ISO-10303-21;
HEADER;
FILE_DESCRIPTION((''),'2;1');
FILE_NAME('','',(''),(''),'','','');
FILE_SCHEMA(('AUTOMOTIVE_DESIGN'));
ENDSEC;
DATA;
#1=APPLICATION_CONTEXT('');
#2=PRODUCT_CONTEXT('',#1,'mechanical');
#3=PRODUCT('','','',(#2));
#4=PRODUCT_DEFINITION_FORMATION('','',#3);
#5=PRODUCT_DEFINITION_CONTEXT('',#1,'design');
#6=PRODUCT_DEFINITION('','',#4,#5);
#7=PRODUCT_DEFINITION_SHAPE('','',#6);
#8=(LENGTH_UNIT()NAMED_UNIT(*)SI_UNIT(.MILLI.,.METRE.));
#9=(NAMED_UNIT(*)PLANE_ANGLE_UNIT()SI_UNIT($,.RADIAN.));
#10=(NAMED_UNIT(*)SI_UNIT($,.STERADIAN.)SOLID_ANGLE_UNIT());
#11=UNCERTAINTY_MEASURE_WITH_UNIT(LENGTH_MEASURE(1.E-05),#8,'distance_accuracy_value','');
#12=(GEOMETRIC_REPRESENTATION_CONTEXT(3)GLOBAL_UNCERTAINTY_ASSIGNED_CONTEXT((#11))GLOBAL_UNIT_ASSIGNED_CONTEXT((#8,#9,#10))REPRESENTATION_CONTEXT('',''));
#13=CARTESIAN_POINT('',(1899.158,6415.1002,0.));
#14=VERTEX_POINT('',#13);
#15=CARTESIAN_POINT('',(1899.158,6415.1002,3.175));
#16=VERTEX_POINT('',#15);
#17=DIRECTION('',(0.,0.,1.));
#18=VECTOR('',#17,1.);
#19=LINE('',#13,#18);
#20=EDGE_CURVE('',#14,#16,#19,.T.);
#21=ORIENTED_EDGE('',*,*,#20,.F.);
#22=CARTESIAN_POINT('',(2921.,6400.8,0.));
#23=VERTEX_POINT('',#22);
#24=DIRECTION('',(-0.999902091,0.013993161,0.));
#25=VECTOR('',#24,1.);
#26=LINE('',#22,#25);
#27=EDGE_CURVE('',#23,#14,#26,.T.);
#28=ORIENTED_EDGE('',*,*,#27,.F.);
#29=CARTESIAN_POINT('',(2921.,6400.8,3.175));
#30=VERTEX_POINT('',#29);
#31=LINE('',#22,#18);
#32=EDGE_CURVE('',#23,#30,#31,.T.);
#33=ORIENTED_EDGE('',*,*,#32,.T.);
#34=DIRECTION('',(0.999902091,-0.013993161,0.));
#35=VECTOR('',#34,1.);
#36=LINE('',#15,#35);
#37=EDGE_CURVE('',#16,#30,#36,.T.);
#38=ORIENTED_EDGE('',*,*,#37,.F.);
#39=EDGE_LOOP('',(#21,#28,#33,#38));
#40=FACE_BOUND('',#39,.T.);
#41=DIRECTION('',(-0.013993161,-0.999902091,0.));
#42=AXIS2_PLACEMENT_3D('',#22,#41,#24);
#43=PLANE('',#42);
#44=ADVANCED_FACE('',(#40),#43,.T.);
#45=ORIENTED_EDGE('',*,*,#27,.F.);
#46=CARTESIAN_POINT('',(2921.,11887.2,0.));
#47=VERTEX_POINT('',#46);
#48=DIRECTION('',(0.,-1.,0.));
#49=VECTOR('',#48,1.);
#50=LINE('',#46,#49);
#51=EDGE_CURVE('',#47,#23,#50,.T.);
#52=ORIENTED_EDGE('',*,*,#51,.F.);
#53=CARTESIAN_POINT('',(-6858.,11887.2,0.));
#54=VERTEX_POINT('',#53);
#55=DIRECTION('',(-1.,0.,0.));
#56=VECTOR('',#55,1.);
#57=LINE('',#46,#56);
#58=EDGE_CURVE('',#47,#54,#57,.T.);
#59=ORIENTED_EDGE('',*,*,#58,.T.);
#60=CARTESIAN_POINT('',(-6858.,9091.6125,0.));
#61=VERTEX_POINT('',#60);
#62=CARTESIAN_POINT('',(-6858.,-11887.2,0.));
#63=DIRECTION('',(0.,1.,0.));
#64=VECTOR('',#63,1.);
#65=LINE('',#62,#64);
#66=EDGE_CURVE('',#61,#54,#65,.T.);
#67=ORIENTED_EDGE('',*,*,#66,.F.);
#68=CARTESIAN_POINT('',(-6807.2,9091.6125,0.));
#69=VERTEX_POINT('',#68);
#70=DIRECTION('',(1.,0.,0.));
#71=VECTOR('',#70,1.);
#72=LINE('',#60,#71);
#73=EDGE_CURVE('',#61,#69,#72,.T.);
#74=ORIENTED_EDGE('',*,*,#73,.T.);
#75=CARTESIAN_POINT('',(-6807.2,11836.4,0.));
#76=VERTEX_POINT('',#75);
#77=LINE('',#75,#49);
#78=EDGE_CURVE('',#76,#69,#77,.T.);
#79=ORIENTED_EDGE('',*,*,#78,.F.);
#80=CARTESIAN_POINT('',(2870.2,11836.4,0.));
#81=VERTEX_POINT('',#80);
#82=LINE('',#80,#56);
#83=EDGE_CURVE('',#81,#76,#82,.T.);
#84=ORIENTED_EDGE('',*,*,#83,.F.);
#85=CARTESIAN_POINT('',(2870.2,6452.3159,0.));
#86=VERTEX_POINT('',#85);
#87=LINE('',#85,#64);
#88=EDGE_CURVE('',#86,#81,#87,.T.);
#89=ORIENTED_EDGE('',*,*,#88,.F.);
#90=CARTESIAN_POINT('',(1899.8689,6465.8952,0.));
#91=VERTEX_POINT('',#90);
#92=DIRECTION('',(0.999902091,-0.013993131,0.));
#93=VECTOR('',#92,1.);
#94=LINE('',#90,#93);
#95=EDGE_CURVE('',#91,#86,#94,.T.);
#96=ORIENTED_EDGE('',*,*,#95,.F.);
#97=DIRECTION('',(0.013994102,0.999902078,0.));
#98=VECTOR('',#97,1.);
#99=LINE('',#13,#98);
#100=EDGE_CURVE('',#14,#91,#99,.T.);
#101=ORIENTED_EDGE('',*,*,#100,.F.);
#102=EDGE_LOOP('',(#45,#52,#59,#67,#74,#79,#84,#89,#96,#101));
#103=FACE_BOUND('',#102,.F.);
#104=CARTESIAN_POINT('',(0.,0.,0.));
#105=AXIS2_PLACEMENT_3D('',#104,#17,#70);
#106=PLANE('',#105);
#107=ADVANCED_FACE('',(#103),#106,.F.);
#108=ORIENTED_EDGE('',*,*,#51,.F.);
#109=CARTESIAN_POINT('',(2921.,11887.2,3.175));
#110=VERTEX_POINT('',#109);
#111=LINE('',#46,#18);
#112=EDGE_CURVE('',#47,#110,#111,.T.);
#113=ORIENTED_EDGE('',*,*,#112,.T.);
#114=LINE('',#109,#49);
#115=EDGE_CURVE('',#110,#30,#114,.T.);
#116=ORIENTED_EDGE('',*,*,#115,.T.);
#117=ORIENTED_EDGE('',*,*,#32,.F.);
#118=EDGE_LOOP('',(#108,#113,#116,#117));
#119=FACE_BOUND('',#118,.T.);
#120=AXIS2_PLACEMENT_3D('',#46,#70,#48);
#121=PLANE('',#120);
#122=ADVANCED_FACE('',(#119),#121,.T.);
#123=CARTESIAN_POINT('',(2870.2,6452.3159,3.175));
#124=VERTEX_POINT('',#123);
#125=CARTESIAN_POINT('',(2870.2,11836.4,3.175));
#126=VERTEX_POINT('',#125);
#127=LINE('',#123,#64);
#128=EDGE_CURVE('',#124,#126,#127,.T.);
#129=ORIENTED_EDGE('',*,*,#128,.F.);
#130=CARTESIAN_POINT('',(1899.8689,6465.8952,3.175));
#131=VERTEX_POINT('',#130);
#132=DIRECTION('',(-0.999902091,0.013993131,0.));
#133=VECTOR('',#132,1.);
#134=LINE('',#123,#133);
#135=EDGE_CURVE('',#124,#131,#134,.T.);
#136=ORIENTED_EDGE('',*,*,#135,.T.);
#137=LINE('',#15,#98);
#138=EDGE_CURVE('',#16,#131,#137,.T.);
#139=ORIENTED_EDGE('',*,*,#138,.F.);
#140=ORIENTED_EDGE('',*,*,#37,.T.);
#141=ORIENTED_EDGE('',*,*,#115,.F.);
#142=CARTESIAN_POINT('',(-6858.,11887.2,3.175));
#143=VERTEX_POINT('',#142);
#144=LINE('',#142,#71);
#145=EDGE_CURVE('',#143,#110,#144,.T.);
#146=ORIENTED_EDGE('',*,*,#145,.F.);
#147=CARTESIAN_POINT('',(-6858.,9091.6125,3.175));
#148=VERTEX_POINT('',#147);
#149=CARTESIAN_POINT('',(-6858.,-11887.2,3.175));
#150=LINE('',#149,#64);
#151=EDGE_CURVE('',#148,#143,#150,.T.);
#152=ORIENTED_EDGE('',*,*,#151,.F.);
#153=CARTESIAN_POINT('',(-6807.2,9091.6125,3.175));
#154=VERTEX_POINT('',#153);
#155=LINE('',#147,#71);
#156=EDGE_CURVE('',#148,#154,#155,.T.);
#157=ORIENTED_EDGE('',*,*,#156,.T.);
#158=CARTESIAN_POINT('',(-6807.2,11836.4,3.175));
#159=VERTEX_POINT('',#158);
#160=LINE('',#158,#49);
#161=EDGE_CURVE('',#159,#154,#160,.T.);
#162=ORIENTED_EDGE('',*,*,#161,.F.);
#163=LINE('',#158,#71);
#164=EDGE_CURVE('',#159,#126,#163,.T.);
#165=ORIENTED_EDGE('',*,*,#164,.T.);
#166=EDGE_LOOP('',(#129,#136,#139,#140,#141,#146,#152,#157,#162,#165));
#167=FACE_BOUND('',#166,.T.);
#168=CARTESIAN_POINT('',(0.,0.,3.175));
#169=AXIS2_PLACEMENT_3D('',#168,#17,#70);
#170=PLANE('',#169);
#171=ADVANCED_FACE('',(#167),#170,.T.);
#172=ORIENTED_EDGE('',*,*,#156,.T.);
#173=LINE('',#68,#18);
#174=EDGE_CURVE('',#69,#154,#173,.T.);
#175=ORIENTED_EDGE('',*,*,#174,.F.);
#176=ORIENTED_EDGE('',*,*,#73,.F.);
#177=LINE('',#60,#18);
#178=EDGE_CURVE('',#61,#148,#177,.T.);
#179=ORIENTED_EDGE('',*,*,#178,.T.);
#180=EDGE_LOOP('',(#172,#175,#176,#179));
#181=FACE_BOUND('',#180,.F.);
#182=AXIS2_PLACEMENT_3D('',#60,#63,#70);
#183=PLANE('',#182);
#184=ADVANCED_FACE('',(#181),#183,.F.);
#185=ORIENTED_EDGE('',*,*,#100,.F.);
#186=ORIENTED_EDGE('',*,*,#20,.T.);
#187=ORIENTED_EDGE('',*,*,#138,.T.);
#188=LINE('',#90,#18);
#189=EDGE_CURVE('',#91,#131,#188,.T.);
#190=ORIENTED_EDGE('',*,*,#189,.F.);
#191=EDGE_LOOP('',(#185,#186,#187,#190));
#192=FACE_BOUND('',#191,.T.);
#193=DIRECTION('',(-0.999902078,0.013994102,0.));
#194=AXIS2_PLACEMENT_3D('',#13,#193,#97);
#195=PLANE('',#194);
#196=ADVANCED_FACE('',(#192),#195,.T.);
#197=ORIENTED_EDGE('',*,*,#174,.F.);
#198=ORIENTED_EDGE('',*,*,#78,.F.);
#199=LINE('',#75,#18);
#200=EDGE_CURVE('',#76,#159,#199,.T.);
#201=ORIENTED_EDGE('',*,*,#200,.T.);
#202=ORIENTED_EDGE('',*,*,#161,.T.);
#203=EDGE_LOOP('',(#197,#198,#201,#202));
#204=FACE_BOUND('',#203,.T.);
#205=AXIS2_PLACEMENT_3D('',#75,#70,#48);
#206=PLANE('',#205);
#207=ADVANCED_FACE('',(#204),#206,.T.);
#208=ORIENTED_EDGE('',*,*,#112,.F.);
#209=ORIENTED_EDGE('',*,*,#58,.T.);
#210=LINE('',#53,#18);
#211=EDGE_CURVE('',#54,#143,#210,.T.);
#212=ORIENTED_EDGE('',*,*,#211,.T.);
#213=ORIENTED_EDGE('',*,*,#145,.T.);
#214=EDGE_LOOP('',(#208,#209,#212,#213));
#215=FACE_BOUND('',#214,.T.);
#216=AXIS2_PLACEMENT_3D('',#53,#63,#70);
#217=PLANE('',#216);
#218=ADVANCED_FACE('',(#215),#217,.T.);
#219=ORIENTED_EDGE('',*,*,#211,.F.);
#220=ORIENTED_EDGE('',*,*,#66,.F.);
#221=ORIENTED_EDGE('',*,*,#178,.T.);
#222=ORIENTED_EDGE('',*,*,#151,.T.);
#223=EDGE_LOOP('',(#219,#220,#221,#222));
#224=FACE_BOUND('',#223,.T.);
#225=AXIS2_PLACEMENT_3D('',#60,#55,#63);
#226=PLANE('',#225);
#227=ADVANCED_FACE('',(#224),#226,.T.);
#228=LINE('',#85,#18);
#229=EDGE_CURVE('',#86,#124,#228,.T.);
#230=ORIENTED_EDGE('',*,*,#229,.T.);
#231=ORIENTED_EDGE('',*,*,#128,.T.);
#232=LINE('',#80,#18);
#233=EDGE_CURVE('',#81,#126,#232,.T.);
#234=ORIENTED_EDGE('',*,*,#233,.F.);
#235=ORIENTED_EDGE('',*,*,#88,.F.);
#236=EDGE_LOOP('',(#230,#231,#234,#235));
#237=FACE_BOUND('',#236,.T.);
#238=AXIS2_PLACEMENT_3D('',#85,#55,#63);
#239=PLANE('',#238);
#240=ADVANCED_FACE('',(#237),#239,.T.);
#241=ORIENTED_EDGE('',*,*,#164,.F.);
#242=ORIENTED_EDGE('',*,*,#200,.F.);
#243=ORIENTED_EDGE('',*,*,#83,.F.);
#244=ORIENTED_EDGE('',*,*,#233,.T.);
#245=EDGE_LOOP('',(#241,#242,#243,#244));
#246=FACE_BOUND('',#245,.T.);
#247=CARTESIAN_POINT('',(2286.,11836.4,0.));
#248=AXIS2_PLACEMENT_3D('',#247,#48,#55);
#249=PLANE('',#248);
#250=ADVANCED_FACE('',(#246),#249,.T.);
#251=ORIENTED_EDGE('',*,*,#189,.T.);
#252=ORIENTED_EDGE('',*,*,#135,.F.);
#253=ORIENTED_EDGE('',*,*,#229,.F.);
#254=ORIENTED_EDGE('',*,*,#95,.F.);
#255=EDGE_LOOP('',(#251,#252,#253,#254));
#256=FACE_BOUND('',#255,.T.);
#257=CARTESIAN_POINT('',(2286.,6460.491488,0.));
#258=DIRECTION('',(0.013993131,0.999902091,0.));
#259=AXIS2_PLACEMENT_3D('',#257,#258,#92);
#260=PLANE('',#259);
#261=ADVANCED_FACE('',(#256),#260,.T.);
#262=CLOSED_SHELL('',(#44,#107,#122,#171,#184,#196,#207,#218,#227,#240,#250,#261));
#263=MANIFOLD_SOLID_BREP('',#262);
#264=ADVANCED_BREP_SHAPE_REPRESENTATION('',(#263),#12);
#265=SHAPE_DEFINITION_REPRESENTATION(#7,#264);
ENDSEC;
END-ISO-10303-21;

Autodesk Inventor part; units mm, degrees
ref_plane "YZ Plane" through (0, 0, 0) normal (1, 0, 0) x (0, 1, 0)
ref_plane "XZ Plane" through (0, 0, 0) normal (0, 1, 0) x (-1, 0, 0)
ref_plane "XY Plane" through (0, 0, 0) normal (0, 0, 1) x (1, 0, 0)
ref_plane "Work Plane1" through (0, 0, 0) normal (0, 0, 1) x (1, 0, 0)
sketch "Sketch1" plane through (0, 0, 0) normal (0, 0, 1) x (1, 0, 0)
  line L0 (-6858, 11887.2) -> (-2286, 11887.2) projected
  line L1 (-6858, -11887.2) -> (-6858, 11887.2) projected
  line L2 (2286, 11887.2) -> (2286, -11887.2) projected
  line L3 (-2286, 11887.2) -> (2286, 11887.2) projected
  line L4 (-6858, 11887.2) -> (2921, 11887.2)
  line L5 (2921, 11887.2) -> (2921, 6400.8)
  line L6 (-6858, 9091.6125) -> (2286, 9091.6125) projected
  line L7 (-6858, 11887.2) -> (-6858, 9091.6125)
  line L8 (1899.158, 4586.3002) -> (1899.158, 6415.1002) projected
  line L9 (2921, 6400.8) -> (1899.158, 6415.1002)
  line L10 (1899.8689, 6465.8952) -> (2870.2, 6452.3159)
  line L11 (2870.2, 6452.3159) -> (2870.2, 11836.4)
  line L12 (2870.2, 11836.4) -> (-6807.2, 11836.4)
  line L13 (-6807.2, 11836.4) -> (-6807.2, 9091.6125)
  line L14 (1899.158, 6415.1002) -> (1899.8689, 6465.8952)
  line L15 (-6858, 9091.6125) -> (-6807.2, 9091.6125)
  line L16 (1899.158, 6415.1002) -> (1899.8689, 6465.8952)
  point P0 (0, 0)
  dimension "d0" = 9779
  dimension "d1" = 5486.4
  dimension "d2" = 50.8
extrude "Extrusion1" add sketch "Sketch1" along normal blind 3.175 contours L0 L3 L2 L12 L13 L6 L1 | L4 L5 L9 L2 L10 L11 L12 | L2 L9 L14 L10
properties part number "Trim-Blue_03"
